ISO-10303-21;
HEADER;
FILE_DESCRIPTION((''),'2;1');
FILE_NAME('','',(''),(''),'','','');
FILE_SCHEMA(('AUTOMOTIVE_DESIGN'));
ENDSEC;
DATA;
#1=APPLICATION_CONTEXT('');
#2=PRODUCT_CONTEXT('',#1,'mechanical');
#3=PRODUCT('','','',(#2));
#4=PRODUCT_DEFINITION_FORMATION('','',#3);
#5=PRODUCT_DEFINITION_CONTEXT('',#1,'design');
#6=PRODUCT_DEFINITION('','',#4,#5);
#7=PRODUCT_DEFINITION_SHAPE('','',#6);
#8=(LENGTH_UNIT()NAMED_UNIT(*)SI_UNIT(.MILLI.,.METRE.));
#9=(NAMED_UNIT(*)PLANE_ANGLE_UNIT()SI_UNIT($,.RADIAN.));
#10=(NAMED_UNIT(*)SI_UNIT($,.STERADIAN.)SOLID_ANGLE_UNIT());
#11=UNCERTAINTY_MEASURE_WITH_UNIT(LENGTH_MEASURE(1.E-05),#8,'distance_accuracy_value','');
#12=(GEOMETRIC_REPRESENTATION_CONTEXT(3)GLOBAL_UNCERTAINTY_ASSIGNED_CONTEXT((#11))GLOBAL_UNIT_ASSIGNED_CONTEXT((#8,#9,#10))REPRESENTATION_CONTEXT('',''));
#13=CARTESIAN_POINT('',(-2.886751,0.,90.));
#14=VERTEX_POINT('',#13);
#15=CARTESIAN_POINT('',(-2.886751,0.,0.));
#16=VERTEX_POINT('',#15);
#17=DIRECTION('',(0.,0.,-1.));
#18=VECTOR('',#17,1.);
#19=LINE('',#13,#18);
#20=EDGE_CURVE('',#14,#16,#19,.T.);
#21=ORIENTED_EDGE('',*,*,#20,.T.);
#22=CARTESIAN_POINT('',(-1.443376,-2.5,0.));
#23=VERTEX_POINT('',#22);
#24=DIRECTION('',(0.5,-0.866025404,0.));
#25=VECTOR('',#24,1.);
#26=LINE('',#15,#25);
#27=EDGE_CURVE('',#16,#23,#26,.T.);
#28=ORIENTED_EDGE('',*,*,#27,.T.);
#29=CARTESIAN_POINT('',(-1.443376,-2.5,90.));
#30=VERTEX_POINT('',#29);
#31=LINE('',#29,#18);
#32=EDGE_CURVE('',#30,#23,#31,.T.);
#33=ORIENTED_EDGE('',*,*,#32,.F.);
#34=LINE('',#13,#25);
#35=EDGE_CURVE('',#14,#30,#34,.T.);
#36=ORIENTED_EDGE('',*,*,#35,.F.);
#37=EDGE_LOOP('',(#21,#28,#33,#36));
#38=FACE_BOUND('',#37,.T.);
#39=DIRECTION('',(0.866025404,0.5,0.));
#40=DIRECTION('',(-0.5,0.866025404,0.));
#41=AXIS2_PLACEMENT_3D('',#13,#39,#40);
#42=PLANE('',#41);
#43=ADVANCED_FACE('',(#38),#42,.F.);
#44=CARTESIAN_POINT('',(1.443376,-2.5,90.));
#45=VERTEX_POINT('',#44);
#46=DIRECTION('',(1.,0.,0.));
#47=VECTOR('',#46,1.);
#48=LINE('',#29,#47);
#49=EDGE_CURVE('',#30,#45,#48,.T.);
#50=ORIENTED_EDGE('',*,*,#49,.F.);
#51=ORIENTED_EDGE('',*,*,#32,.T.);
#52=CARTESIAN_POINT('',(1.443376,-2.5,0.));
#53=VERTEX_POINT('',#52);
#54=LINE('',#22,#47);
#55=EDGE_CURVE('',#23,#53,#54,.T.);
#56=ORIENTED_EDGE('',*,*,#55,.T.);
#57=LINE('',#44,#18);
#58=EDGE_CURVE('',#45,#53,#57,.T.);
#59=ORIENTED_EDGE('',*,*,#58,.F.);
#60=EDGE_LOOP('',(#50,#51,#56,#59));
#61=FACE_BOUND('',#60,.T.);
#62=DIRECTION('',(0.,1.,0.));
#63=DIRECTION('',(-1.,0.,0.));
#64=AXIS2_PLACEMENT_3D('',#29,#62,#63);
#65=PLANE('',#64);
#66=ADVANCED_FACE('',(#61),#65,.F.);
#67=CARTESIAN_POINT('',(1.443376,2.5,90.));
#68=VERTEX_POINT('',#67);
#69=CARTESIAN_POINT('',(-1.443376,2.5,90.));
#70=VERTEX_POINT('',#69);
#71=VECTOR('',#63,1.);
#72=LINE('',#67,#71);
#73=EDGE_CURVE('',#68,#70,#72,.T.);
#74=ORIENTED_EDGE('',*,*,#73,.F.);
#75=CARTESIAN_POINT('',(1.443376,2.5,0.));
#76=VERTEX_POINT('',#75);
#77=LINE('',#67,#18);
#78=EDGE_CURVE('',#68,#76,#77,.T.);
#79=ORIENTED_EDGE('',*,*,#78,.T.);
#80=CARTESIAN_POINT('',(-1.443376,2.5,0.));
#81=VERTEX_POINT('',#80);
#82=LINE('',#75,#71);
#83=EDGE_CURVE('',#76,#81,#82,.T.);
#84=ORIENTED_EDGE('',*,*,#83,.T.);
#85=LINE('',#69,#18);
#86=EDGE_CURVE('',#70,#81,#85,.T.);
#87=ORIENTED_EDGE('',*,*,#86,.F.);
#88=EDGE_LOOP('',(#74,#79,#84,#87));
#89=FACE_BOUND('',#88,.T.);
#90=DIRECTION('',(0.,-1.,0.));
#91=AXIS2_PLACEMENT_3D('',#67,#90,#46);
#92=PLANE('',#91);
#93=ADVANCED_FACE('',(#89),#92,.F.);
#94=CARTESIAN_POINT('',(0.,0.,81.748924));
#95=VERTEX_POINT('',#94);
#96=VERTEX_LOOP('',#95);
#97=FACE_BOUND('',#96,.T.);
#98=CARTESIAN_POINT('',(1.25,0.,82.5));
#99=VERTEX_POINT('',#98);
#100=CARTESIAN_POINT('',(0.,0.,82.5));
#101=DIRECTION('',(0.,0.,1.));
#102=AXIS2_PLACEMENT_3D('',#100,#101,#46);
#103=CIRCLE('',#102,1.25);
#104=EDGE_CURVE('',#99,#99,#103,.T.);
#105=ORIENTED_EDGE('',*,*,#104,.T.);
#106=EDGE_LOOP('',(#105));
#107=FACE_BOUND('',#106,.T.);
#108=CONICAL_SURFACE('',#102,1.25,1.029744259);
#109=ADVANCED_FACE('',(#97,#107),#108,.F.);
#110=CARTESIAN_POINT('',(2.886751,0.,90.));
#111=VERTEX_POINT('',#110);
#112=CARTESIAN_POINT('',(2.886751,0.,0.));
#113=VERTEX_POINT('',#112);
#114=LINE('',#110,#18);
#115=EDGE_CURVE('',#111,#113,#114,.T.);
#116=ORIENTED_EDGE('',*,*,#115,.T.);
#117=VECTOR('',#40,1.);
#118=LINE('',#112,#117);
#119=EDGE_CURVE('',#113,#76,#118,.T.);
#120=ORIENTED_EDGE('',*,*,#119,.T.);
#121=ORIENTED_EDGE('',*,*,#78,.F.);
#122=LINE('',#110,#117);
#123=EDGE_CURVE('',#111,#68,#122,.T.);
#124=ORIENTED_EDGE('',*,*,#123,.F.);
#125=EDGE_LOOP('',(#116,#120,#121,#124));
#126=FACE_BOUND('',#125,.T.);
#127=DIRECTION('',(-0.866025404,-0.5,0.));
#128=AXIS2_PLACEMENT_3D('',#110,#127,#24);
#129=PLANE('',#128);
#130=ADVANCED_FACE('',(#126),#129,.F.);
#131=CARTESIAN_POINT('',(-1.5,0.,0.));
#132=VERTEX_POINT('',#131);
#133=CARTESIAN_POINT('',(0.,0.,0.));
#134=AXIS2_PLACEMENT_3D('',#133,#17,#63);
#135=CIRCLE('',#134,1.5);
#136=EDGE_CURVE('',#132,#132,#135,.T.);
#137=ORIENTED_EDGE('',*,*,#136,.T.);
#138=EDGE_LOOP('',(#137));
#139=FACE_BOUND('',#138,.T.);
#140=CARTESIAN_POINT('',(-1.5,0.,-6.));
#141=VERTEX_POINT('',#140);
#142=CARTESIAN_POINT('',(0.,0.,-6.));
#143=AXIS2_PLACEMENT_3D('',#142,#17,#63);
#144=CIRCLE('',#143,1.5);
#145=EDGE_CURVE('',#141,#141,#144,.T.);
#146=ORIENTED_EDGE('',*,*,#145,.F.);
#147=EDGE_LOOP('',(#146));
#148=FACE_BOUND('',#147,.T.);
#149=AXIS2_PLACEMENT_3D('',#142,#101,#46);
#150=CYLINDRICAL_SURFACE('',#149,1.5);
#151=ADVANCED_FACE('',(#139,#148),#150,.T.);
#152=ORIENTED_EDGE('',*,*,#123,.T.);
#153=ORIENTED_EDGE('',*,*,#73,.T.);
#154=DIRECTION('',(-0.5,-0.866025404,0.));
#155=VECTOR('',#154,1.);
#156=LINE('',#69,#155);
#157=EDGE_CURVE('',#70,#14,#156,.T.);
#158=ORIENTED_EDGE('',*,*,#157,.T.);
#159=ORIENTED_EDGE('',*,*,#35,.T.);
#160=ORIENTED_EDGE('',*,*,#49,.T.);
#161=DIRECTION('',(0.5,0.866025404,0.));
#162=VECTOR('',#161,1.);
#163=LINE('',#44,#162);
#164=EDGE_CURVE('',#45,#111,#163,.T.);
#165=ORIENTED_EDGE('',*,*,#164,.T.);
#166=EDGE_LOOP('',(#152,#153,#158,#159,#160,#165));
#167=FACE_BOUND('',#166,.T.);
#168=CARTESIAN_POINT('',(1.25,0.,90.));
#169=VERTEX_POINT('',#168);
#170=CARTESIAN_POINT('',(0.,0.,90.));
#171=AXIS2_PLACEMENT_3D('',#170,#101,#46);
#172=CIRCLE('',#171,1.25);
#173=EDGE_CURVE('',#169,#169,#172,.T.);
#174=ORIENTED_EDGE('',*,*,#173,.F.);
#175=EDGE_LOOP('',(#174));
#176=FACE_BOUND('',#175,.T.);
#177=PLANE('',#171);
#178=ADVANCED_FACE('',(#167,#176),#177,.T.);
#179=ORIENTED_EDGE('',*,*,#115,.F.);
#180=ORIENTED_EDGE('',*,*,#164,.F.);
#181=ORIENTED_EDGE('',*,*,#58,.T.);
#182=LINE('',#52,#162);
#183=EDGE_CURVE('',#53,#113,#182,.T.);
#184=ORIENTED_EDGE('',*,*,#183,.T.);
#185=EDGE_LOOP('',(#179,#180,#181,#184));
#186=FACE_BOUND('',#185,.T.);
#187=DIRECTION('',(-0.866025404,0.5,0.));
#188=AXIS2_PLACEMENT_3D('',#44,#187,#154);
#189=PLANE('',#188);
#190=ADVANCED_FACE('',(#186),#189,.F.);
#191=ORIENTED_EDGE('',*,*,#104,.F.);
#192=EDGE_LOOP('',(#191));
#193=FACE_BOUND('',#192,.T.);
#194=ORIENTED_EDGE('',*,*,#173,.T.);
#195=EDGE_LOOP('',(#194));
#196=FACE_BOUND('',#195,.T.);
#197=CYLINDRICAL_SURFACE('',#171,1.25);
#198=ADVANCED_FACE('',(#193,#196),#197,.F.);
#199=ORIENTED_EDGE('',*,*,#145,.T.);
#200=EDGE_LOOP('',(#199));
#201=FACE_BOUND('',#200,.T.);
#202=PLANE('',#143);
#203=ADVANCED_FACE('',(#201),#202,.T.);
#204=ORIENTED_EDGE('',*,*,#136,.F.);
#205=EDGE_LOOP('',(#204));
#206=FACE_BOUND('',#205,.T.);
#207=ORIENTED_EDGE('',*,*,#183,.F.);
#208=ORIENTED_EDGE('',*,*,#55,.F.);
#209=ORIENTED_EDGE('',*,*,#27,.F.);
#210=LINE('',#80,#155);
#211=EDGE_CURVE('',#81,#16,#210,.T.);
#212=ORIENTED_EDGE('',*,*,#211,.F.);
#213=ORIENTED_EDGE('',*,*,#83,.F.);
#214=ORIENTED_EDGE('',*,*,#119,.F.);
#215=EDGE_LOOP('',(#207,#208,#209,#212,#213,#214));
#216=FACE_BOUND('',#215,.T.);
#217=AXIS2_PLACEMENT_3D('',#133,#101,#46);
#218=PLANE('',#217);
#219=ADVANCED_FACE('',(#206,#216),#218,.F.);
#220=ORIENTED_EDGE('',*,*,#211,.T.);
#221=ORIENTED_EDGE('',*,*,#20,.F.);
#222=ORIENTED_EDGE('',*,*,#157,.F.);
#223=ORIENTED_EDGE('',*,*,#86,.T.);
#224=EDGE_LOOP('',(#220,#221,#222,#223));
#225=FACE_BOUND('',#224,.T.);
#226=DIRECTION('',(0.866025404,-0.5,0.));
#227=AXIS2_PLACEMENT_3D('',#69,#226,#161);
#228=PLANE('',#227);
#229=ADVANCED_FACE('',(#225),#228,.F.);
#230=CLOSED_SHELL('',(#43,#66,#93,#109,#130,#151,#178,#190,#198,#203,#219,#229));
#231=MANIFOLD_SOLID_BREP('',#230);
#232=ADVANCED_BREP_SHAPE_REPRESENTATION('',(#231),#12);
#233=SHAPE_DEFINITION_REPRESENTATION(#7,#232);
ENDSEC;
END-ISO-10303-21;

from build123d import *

# Parameters (mm, degrees)
EXTRUDE_1_DEPTH = 90
SKETCH_4_R      = 1.5
EXTRUDE_2_DEPTH = 6
M3X0_5_1_D      = 2.5
M3X0_5_1_DEPTH  = 7.5
M3X0_5_1_TIP    = 0.751075774


with BuildPart() as part:
    # 草圖1 → 填料-伸長1 (new body)
    with BuildSketch(Plane.XY):
        Polygon((-1.443375673, 2.5), (-2.886751346, 0), (-1.443375673, -2.5), (1.443375673, -2.5), (2.886751346, 0), (1.443375673, 2.5), align=None)
    extrude(amount=EXTRUDE_1_DEPTH)

    # 草圖4 → 填料-伸長2 (add)
    with BuildSketch(Plane(origin=(0, 0, 0), x_dir=(-1, 0, 0), z_dir=(0, 0, -1))):
        Circle(SKETCH_4_R)
    extrude(amount=EXTRUDE_2_DEPTH)

    # M3x0.5 螺紋孔1
    with Locations(Plane.XY.offset(90)):
        with Locations((0, 0)):
            Hole(M3X0_5_1_D / 2, depth=M3X0_5_1_DEPTH)
            with Locations((0, 0, -(M3X0_5_1_DEPTH + M3X0_5_1_TIP / 2))):  # 118° drill point
                Cone(0, M3X0_5_1_D / 2, M3X0_5_1_TIP, mode=Mode.SUBTRACT)


solid = part.part
